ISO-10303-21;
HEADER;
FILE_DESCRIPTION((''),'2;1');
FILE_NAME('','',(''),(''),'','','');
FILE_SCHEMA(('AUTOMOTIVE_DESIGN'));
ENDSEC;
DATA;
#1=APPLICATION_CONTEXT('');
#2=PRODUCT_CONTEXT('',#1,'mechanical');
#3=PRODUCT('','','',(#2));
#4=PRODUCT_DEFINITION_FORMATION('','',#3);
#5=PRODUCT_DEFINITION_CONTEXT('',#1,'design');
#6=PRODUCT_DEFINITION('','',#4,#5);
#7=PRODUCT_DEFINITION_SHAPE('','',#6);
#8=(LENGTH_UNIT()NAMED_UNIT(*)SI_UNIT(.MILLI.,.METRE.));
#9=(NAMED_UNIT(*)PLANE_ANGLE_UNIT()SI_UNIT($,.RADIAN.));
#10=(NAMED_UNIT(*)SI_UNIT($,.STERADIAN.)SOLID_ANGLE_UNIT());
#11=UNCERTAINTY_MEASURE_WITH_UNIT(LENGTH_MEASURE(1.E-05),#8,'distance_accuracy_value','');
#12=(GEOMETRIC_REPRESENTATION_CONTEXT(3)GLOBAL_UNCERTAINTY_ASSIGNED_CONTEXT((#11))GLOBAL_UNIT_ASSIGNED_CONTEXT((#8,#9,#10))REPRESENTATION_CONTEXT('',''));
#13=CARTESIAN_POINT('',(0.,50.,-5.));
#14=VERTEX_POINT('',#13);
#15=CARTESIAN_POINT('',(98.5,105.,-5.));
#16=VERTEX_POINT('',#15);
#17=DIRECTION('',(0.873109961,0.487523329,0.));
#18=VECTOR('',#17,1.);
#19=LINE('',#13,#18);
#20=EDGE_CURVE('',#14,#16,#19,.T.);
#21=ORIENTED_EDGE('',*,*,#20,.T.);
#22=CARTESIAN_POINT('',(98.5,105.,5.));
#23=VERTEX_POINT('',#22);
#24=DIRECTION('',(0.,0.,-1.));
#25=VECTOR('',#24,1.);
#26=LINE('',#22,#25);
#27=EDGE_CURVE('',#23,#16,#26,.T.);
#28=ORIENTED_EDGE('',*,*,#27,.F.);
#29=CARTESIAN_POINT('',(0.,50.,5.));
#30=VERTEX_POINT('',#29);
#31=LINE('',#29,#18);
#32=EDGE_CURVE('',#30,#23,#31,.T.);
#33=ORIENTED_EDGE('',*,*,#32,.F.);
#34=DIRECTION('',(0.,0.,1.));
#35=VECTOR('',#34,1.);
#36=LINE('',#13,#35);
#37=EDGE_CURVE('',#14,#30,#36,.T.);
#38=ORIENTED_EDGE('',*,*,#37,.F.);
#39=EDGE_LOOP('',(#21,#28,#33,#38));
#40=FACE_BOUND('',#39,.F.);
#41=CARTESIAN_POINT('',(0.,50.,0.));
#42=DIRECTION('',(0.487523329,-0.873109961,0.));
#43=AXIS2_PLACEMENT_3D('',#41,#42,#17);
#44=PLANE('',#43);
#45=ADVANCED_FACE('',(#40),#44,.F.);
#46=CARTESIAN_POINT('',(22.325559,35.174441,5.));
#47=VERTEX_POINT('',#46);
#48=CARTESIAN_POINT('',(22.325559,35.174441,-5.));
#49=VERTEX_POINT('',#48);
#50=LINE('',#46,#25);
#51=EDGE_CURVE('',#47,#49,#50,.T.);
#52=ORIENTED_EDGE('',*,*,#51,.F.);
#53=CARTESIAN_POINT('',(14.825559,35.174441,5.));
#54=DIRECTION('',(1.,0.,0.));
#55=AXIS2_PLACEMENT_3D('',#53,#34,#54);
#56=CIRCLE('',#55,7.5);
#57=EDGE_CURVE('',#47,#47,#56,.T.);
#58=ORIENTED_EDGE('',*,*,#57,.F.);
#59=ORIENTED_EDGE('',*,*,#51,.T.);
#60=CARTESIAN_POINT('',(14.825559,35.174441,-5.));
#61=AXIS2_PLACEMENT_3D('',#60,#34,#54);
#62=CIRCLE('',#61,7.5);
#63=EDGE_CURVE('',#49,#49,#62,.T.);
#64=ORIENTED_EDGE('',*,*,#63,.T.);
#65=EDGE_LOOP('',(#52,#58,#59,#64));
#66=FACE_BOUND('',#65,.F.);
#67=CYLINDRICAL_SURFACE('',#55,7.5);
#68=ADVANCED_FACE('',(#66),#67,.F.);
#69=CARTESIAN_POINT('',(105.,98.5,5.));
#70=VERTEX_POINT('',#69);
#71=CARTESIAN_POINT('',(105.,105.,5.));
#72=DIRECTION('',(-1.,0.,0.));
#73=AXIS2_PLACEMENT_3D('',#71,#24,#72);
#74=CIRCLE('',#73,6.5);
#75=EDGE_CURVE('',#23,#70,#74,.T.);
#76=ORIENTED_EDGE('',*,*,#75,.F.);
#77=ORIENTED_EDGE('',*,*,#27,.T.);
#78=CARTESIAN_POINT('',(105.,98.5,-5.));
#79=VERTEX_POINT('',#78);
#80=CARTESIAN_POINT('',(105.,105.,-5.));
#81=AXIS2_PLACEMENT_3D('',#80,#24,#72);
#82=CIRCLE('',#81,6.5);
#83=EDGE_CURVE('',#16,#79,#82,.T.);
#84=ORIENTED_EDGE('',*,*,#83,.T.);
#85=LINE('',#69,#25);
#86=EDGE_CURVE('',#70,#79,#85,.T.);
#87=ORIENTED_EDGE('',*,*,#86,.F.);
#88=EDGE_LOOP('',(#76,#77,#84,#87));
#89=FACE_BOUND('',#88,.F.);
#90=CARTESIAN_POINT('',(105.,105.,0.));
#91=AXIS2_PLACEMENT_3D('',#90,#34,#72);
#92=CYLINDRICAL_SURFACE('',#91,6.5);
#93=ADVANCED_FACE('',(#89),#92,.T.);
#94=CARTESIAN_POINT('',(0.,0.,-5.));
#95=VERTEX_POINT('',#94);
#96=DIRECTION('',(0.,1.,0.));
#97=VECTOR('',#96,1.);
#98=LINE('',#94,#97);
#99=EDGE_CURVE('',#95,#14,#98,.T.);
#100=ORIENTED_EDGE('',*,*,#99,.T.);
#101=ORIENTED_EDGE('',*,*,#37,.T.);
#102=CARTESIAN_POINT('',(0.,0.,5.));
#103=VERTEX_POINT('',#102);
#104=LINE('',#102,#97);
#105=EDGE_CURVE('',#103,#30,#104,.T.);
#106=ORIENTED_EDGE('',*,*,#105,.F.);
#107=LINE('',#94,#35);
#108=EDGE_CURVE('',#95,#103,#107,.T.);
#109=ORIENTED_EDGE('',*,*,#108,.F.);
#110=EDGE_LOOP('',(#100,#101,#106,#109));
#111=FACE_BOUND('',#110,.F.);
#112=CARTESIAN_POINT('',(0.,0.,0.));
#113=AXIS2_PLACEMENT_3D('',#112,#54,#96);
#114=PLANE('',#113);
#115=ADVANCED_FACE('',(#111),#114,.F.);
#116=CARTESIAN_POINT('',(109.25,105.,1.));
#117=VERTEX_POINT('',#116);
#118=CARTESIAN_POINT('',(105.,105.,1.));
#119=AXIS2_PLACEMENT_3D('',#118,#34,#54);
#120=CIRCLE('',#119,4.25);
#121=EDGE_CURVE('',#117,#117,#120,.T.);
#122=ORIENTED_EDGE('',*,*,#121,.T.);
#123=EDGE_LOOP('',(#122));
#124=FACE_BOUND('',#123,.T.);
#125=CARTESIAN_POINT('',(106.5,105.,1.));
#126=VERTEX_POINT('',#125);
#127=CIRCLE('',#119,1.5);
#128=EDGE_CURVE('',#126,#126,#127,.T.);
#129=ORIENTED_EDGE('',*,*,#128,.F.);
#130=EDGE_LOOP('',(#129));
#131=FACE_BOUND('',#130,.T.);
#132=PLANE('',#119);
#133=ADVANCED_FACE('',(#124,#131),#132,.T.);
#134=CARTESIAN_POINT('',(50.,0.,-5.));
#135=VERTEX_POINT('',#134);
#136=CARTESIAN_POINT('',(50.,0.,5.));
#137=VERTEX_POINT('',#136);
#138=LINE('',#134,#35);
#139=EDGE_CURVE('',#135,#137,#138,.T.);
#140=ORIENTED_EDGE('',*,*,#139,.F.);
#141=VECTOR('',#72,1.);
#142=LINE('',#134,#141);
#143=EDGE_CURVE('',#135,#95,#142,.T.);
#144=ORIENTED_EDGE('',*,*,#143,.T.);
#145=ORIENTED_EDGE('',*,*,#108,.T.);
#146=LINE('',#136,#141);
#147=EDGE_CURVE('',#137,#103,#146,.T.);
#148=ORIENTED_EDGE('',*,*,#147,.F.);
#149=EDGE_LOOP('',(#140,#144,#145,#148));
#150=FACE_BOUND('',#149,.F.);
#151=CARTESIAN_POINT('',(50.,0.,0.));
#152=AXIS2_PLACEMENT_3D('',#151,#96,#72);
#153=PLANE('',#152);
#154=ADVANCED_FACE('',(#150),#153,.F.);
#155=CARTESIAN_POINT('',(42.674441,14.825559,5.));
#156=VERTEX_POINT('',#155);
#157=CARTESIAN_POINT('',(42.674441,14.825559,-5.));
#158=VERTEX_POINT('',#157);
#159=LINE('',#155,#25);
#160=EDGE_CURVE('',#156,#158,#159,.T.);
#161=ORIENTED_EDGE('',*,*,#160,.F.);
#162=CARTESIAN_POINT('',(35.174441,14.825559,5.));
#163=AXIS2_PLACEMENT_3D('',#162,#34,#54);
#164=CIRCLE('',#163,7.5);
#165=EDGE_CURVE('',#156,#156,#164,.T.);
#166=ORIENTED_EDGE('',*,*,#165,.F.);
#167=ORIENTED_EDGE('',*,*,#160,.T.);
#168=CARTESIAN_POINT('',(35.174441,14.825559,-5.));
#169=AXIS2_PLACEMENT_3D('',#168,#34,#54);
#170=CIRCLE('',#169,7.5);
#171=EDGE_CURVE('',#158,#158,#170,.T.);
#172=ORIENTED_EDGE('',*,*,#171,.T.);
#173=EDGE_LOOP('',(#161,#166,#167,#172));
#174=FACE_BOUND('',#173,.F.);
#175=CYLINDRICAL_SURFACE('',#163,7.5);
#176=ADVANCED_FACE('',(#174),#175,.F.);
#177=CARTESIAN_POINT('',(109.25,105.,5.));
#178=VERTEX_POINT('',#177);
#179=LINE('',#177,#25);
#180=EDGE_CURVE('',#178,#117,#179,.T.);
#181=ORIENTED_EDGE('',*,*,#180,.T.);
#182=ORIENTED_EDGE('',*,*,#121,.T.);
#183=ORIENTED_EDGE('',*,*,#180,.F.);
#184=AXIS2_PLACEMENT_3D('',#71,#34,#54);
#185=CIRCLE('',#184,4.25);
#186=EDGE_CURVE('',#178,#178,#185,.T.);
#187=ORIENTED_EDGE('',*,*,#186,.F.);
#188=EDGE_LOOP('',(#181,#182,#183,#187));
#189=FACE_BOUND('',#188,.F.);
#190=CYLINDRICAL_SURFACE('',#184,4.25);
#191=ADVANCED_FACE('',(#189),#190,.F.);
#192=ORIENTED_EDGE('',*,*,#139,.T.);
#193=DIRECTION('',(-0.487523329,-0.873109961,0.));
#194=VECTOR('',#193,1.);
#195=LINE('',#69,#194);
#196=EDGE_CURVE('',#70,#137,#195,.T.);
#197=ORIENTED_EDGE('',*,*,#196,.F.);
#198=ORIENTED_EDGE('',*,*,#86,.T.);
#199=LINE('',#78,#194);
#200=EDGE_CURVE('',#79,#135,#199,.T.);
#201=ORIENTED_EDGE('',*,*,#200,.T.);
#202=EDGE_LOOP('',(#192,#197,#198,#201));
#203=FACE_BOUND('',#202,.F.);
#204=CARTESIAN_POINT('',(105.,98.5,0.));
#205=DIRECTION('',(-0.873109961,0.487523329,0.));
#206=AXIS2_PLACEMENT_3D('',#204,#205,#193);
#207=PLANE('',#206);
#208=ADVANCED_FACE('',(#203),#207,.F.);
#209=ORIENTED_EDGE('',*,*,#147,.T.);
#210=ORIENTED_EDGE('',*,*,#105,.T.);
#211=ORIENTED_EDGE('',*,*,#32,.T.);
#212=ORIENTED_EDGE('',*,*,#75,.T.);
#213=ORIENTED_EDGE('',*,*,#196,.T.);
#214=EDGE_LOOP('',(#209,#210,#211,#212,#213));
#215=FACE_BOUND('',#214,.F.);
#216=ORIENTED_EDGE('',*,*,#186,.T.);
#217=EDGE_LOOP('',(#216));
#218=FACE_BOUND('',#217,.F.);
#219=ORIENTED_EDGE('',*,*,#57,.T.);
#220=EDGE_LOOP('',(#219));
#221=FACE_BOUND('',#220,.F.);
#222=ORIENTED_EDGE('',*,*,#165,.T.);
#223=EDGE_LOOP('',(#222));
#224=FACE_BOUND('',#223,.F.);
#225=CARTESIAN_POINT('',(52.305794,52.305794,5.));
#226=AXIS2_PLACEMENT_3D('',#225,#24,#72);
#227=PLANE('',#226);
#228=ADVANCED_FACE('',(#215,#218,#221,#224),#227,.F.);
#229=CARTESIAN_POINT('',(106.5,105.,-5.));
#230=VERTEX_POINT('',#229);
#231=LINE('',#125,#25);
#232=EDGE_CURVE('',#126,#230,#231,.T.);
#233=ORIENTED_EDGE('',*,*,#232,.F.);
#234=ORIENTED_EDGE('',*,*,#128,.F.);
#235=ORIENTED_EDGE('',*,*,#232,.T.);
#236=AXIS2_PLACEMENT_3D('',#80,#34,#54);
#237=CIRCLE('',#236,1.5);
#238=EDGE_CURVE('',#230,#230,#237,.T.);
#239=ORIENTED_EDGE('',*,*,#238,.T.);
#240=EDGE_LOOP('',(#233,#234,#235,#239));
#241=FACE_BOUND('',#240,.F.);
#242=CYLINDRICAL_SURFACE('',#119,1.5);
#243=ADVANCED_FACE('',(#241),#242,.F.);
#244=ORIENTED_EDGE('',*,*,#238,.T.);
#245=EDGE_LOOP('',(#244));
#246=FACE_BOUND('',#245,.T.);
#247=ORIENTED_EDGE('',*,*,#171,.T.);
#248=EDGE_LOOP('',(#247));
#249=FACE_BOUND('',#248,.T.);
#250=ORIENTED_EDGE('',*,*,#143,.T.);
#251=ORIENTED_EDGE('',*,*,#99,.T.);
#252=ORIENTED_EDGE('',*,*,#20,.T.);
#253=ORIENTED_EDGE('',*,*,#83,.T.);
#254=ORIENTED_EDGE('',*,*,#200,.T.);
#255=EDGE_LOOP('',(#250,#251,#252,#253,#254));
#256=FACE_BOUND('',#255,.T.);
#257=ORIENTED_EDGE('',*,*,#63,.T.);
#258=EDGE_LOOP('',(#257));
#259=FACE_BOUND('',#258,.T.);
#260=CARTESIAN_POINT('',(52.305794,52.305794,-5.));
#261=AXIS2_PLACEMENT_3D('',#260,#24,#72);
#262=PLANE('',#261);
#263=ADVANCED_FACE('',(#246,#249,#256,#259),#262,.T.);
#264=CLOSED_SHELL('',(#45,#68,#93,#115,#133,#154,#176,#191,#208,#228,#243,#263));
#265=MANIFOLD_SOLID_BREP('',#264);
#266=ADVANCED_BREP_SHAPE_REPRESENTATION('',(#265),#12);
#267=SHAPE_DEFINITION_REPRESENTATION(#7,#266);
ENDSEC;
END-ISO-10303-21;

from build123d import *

# Parameters (mm, degrees)
RESSALTO_EXTRUS_O2_DEPTH = 5
ESBO_O4_R                = 4.25
CORTE_EXTRUS_O1_DEPTH    = 4
ESBO_O5_R                = 1.5
CORTE_EXTRUS_O2_DEPTH    = 7
ESBO_O6_R                = 7.5
CORTE_EXTRUS_O3_DEPTH    = 11


with BuildPart() as part:
    # Esboço3 → Ressalto-extrusão2 (new body, symmetric)
    with BuildSketch(Plane.XY):
        with BuildLine():
            Line((0, 50), (98.5, 105))
            ThreePointArc((98.5, 105), (109.596194078, 109.596194078), (105, 98.5))
            Line((105, 98.5), (50, 0))
            Line((50, 0), (0, 0))
            Line((0, 0), (0, 50))
        make_face()
    extrude(amount=RESSALTO_EXTRUS_O2_DEPTH, both=True)

    # Esboço4 → Corte-extrusão1 (cut)
    with BuildSketch(Plane.XY.offset(5)):
        with Locations((105, 105)):
            Circle(ESBO_O4_R)
    extrude(amount=-CORTE_EXTRUS_O1_DEPTH, mode=Mode.SUBTRACT)

    # Esboço5 → Corte-extrusão2 (cut, through all)
    with BuildSketch(Plane.XY.offset(1)):
        with Locations((105, 105)):
            Circle(ESBO_O5_R)
    extrude(amount=-CORTE_EXTRUS_O2_DEPTH, mode=Mode.SUBTRACT)

    # Esboço6 → Corte-extrusão3 (cut, through all)
    with BuildSketch(Plane.XY.offset(5)):
        with Locations((14.825558834, 35.174441166)):
            Circle(ESBO_O6_R)
        with Locations((35.174441166, 14.825558834)):
            Circle(ESBO_O6_R)
    extrude(amount=-CORTE_EXTRUS_O3_DEPTH, mode=Mode.SUBTRACT)


solid = part.part
